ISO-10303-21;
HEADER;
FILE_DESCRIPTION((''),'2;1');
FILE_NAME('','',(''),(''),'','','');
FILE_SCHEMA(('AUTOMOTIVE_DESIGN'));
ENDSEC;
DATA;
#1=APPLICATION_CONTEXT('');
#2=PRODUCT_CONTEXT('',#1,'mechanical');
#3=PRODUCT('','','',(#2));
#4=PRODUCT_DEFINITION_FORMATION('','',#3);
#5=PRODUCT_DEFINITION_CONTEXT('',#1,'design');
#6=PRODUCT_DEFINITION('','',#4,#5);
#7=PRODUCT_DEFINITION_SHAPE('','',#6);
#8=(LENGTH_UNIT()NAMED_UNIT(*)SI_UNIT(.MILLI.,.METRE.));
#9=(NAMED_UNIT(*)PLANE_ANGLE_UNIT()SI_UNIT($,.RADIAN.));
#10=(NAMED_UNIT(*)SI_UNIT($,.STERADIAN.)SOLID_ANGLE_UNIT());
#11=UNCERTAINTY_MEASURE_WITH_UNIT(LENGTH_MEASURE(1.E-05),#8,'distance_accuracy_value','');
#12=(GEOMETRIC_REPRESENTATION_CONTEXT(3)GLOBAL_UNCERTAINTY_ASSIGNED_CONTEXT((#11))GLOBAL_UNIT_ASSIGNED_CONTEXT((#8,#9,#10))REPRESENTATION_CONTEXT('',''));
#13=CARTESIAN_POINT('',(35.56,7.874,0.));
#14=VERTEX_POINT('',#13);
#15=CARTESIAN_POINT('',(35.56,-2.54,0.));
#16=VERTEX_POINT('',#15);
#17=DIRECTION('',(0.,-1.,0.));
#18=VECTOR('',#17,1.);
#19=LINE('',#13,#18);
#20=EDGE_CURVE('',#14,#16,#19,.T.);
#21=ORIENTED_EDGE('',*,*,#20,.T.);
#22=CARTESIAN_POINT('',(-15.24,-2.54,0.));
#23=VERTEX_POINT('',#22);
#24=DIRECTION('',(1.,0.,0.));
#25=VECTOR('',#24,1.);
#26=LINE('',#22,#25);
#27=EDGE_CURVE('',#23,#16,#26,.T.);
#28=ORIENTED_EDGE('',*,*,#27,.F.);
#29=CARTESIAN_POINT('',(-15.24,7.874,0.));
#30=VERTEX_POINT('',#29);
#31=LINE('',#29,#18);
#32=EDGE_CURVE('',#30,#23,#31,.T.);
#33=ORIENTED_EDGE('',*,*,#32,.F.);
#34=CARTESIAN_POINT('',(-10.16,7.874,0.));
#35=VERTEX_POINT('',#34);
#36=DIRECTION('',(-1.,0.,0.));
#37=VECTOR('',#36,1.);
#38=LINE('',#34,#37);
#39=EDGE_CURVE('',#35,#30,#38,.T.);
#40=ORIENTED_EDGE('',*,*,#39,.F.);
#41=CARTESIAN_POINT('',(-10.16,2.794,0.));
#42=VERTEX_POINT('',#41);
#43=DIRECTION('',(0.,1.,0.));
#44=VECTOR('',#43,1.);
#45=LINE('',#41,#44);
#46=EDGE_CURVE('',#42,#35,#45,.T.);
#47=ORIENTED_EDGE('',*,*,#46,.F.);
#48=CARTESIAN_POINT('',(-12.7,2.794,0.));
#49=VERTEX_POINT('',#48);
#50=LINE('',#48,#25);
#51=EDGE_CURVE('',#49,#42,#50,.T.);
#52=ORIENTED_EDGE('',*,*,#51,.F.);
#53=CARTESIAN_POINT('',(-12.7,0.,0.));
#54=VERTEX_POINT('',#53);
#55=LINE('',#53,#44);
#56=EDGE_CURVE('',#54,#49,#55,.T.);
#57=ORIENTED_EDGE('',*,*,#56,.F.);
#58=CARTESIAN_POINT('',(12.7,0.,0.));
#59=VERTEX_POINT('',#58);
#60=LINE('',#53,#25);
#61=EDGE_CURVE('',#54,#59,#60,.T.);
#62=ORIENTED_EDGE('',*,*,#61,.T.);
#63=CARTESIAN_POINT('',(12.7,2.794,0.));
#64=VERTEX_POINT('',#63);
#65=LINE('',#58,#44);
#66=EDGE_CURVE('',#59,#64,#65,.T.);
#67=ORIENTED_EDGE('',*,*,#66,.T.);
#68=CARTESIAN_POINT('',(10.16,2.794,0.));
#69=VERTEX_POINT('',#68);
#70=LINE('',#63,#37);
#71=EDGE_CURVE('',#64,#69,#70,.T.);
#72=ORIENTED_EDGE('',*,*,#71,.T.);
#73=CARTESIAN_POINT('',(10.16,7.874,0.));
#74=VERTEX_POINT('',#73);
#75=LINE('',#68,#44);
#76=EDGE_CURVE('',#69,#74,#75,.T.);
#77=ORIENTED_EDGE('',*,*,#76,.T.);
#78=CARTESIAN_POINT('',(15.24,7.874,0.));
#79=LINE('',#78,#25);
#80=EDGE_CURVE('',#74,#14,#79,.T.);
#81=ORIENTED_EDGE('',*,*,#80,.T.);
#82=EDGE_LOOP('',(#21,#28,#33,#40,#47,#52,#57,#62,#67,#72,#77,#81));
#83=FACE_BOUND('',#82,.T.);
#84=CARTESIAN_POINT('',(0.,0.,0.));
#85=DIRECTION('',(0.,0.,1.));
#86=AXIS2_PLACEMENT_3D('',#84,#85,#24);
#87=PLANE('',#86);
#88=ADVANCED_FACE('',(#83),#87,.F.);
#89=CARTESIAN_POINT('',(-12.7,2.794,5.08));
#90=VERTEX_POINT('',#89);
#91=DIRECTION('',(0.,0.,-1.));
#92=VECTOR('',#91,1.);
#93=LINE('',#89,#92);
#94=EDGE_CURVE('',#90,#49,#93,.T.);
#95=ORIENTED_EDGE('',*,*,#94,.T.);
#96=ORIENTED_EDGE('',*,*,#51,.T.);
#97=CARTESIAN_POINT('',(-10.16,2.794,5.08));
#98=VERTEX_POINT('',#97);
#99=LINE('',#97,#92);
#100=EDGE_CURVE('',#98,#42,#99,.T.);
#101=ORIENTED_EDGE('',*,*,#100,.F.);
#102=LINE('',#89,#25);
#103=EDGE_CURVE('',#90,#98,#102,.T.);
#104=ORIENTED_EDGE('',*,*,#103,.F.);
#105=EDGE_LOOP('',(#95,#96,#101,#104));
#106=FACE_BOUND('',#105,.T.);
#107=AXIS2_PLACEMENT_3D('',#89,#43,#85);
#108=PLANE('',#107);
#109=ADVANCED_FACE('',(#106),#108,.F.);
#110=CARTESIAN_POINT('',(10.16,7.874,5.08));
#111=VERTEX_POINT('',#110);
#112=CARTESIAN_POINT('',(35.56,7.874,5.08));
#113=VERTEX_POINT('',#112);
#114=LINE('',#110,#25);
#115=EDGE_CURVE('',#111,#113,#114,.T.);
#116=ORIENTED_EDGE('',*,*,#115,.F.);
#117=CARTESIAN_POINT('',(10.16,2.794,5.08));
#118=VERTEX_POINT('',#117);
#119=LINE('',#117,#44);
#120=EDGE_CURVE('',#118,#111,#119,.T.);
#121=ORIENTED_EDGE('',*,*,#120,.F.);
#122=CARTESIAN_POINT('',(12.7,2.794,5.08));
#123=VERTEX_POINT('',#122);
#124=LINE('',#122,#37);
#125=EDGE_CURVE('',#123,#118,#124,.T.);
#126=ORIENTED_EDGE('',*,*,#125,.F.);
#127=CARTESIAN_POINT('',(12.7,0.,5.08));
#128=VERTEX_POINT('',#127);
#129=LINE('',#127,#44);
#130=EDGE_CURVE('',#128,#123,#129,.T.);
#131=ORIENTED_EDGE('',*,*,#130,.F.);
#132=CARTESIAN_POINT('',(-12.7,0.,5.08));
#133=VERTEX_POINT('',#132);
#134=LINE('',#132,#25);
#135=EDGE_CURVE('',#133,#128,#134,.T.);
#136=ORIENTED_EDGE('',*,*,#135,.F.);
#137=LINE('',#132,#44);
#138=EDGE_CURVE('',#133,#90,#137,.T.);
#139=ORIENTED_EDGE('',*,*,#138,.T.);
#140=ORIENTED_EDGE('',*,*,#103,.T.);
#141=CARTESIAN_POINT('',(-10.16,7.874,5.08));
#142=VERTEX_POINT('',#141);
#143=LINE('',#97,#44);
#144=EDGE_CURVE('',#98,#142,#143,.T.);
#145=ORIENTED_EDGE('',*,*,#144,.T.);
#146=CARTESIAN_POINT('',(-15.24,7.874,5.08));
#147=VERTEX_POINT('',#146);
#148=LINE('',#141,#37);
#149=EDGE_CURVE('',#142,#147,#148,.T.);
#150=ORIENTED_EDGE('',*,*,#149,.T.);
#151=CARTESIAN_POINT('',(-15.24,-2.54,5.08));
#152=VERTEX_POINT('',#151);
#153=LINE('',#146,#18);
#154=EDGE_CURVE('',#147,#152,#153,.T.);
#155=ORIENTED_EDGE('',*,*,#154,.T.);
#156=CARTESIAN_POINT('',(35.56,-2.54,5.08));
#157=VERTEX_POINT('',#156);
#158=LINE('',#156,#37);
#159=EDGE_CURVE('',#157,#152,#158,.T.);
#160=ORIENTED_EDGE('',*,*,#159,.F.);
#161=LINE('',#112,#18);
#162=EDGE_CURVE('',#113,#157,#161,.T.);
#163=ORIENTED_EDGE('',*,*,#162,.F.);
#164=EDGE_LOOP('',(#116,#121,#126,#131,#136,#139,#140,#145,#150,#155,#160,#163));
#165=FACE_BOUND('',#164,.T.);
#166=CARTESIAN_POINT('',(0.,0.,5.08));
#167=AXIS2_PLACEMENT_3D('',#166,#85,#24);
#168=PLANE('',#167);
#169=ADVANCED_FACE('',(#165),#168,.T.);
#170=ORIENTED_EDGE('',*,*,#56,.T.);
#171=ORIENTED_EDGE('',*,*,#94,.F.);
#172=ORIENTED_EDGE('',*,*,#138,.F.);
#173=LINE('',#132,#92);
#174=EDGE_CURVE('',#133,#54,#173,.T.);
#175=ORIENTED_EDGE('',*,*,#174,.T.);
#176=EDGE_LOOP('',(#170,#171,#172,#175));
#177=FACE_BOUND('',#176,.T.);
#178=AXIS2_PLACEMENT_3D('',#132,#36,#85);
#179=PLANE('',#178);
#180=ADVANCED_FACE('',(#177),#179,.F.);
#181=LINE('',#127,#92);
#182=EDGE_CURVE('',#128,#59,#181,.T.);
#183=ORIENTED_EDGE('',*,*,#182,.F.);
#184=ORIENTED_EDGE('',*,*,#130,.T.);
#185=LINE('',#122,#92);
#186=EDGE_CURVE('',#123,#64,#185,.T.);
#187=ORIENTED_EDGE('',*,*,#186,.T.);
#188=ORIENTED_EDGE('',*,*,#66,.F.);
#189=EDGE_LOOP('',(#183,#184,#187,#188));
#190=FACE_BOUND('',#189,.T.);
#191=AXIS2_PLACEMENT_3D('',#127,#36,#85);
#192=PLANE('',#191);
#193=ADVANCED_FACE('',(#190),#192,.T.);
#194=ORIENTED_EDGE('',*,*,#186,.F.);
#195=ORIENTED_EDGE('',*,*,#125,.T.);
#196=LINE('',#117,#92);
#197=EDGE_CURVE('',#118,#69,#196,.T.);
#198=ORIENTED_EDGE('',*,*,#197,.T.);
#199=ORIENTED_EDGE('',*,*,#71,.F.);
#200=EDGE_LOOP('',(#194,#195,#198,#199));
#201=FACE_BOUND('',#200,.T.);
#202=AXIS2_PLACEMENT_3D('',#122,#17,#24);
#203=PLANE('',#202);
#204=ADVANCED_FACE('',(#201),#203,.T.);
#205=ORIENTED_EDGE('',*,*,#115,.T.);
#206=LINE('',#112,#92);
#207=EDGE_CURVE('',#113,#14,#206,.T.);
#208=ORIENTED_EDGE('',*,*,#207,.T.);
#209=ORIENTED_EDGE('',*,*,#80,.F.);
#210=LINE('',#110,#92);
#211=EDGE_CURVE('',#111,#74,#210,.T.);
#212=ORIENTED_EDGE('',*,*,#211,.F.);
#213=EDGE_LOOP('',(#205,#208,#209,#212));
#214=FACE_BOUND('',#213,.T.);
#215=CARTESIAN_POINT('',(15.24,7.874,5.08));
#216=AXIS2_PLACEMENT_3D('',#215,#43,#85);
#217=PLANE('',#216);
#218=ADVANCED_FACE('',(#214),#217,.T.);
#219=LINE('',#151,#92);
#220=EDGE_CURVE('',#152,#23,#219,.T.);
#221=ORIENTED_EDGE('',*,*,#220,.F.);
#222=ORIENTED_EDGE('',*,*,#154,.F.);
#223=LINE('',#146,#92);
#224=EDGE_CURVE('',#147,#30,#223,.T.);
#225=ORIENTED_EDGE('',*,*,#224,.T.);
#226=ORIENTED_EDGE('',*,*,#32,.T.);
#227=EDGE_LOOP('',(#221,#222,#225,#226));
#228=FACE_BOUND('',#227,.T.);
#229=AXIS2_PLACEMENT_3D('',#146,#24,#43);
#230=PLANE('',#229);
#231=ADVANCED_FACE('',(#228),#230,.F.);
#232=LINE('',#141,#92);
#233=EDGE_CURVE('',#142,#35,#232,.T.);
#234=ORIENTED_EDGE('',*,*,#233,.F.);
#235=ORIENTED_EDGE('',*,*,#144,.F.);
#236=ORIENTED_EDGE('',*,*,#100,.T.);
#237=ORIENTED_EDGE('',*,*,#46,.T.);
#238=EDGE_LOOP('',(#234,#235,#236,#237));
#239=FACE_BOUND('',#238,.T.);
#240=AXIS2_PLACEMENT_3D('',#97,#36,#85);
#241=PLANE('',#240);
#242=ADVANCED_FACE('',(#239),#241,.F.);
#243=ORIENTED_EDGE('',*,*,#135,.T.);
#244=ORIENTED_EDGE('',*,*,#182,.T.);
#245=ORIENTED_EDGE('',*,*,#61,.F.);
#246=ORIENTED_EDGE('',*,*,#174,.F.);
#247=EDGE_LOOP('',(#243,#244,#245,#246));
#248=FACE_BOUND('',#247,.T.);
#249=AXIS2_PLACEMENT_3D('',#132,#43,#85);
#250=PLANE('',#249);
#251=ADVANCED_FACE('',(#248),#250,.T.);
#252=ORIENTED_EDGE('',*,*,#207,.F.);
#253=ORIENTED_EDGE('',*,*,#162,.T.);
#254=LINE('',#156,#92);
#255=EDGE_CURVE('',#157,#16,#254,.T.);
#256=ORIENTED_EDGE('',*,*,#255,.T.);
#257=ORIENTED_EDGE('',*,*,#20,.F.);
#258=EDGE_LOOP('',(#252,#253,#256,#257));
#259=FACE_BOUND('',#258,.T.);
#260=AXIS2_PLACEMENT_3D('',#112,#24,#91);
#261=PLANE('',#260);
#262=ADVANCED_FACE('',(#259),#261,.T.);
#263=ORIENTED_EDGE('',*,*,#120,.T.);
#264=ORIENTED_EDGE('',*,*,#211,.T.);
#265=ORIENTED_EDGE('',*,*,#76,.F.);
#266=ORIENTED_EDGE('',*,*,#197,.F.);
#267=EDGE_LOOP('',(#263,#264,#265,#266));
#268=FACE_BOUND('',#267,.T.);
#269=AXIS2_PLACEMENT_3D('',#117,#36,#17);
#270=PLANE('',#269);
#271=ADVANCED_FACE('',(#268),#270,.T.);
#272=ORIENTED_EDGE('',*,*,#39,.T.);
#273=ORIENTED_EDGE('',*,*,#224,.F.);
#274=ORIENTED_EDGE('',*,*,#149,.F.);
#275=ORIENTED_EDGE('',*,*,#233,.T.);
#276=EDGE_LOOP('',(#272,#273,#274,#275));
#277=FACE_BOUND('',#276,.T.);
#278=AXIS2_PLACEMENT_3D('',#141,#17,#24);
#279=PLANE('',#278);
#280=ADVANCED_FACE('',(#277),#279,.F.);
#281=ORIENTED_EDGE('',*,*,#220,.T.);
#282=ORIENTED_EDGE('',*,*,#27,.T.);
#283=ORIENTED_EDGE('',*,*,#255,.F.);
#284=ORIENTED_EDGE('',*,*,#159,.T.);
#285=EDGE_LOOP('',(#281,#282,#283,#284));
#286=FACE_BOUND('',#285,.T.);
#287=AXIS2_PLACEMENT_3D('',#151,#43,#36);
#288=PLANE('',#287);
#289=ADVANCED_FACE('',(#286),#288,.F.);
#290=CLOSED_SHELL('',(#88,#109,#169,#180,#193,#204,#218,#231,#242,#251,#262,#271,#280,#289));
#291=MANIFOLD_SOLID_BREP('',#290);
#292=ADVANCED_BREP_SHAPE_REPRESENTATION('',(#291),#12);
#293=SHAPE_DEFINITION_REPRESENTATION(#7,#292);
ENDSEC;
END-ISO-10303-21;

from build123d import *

# Parameters (mm, degrees)
BOSS_EXTRUDE1_DEPTH = 5.08


with BuildPart() as part:
    # Sketch1 → Boss-Extrude1 (new body)
    with BuildSketch(Plane.XY):
        Polygon((-12.7, 0), (12.7, 0), (12.7, 2.794), (10.16, 2.794), (10.16, 7.874), (15.24, 7.874), (35.56, 7.874), (35.56, -2.54), (15.24, -2.54), (-15.24, -2.54), (-15.24, 7.874), (-10.16, 7.874), (-10.16, 2.794), (-12.7, 2.794), align=None)
    extrude(amount=BOSS_EXTRUDE1_DEPTH)


solid = part.part
